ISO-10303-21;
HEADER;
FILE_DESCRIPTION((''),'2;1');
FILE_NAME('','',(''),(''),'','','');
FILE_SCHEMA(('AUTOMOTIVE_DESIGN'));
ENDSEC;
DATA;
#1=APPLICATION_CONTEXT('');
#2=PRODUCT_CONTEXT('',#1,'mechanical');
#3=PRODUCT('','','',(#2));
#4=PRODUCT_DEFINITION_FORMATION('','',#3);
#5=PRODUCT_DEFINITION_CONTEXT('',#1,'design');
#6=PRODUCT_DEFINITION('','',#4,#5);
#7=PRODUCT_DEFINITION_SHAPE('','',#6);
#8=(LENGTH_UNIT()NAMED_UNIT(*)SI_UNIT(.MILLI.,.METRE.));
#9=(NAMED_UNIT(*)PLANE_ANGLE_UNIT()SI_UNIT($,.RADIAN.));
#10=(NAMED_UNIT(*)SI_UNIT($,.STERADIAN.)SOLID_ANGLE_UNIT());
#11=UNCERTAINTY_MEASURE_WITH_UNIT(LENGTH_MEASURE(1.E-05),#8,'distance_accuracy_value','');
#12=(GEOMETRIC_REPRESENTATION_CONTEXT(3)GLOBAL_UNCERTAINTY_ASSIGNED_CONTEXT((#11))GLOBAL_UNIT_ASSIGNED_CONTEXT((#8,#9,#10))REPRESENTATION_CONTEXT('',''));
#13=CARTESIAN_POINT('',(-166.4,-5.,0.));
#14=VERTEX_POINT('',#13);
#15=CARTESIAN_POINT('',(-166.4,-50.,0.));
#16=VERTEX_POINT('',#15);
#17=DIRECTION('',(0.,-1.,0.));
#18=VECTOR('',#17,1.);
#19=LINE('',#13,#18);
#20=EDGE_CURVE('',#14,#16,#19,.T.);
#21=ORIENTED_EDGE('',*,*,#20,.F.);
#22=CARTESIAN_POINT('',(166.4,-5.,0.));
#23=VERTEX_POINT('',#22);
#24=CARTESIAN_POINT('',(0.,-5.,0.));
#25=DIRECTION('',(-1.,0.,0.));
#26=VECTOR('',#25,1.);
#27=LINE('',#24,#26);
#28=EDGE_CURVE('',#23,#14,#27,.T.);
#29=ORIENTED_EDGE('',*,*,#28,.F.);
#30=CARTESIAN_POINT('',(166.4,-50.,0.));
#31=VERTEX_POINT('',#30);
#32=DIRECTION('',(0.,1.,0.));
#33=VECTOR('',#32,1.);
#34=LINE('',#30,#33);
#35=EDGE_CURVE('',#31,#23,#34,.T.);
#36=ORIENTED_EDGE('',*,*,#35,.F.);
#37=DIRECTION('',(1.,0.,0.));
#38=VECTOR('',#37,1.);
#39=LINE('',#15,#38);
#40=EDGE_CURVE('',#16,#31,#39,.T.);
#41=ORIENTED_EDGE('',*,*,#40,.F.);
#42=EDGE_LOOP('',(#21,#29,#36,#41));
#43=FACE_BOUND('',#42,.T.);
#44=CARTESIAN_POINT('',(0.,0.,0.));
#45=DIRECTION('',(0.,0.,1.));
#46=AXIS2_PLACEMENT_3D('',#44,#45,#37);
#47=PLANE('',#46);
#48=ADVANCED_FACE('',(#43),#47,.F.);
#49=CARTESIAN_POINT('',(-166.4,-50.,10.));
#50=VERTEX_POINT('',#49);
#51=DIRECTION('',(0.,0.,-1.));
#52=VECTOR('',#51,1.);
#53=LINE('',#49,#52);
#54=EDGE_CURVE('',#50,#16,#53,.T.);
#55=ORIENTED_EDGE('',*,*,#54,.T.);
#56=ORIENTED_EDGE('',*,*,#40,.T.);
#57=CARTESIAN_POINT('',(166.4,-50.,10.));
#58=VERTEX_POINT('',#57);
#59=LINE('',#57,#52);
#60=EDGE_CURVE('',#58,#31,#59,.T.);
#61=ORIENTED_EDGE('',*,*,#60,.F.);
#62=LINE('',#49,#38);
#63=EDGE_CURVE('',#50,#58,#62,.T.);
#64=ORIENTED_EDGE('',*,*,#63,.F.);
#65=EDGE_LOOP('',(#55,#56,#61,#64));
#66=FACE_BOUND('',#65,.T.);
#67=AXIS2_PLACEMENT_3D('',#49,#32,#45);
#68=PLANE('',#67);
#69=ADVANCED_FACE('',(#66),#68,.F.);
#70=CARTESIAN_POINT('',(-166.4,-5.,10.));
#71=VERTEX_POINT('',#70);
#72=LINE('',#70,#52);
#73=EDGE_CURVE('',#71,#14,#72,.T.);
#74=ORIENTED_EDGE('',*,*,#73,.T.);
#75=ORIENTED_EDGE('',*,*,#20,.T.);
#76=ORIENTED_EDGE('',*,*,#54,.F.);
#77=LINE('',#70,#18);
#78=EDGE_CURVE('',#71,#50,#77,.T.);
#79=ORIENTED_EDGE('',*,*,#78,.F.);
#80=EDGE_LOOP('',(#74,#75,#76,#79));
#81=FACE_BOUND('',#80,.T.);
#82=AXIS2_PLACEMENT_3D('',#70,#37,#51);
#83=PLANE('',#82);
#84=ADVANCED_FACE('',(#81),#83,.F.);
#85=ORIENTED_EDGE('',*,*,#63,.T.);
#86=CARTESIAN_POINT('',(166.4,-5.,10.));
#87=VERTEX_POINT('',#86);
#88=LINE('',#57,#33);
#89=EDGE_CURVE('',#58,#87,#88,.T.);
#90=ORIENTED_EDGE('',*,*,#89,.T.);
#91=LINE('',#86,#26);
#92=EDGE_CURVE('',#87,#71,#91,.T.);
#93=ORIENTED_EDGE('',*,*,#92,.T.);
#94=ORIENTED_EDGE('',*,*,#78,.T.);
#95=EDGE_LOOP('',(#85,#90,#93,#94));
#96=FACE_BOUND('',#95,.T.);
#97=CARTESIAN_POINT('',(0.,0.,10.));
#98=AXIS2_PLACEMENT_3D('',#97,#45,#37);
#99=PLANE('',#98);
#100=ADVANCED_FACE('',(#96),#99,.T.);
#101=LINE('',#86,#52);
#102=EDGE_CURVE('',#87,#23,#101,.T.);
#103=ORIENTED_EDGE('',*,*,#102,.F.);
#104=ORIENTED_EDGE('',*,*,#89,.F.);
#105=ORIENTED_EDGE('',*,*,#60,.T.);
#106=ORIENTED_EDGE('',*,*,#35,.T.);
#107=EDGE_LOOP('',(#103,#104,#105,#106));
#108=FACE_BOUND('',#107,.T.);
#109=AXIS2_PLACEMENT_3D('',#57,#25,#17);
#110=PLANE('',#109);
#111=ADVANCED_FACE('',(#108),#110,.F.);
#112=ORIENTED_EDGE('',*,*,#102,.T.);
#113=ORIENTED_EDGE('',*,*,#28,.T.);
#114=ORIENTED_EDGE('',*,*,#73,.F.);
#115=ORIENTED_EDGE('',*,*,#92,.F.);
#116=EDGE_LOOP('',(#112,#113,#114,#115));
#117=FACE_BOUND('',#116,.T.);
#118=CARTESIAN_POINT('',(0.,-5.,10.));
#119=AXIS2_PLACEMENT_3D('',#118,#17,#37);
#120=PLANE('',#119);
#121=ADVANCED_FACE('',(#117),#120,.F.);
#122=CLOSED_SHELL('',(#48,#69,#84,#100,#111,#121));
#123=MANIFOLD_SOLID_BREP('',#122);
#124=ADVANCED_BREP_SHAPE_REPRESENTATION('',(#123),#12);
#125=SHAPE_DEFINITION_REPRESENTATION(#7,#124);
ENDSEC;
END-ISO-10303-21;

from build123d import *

# Parameters (mm, degrees)
EXTRUDE_1_DEPTH = 10


with BuildPart() as part:
    # 草图1 → 凸台-拉伸1 (new body)
    with BuildSketch(Plane.XY):
        Polygon((0, -5), (-166.4, -5), (-166.4, -50), (166.4, -50), (166.4, -5), align=None)
    extrude(amount=EXTRUDE_1_DEPTH)


solid = part.part
